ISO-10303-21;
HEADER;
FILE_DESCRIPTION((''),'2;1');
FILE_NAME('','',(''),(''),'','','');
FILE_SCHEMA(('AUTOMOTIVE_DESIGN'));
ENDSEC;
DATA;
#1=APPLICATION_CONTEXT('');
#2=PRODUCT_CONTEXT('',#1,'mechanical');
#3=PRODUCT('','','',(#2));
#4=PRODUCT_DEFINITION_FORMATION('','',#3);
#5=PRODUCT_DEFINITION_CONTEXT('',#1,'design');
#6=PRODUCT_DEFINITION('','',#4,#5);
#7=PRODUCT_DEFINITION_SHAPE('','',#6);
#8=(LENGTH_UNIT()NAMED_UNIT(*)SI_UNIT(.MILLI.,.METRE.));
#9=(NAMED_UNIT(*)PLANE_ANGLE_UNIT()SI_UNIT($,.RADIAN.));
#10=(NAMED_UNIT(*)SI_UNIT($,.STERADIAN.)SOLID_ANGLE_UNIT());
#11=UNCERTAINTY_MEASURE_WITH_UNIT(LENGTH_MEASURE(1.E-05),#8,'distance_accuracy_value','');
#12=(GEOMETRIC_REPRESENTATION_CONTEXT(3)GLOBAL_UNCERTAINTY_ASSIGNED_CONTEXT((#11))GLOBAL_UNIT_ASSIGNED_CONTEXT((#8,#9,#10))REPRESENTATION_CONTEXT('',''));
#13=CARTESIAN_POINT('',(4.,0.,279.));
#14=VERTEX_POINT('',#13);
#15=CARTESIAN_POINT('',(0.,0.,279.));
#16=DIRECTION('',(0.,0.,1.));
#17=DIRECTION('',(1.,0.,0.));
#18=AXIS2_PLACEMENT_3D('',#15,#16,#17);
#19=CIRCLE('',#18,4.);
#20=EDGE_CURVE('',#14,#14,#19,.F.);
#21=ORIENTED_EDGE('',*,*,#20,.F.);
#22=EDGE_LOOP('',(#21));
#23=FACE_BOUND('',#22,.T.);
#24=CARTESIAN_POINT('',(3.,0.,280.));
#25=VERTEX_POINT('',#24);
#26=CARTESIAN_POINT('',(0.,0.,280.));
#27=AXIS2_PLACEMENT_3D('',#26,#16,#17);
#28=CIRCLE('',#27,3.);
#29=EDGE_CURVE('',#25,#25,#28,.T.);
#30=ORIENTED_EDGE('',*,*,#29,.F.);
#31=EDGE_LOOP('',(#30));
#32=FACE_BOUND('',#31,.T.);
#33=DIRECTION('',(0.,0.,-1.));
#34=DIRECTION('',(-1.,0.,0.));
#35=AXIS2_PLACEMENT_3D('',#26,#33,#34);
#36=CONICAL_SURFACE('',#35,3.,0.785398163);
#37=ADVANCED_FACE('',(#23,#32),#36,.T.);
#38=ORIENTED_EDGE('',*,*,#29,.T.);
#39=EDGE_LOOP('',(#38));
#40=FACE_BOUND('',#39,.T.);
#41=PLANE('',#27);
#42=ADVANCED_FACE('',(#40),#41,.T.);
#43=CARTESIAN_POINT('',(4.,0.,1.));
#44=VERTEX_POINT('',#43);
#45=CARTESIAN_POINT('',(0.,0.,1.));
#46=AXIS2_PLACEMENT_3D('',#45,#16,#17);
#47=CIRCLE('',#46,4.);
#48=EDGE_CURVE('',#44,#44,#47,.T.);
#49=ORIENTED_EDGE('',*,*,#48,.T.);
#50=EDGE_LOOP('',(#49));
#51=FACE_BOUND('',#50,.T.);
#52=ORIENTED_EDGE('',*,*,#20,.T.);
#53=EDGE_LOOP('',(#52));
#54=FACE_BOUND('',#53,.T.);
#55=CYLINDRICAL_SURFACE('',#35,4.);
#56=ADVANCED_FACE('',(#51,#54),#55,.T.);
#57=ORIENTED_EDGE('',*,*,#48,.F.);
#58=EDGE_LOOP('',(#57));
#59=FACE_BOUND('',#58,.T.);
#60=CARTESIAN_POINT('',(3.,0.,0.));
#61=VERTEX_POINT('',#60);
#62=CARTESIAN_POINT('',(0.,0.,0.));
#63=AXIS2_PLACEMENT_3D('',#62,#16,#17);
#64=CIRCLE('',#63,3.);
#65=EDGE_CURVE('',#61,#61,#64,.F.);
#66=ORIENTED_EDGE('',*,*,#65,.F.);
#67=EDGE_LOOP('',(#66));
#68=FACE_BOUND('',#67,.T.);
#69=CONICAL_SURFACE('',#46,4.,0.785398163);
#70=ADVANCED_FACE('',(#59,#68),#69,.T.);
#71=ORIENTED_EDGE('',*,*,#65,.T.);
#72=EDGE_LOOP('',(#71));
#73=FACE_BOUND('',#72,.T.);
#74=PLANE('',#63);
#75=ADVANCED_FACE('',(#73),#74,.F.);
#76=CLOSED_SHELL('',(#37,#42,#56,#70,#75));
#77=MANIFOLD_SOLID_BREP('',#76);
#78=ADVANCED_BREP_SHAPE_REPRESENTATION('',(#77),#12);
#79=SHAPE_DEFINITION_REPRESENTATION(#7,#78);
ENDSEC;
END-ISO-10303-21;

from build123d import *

# Parameters (mm, degrees)
SKETCH1_R           = 4
BOSS_EXTRUDE1_DEPTH = 280
CHAMFER1_SIZE       = 1


with BuildPart() as part:
    # Sketch1 → Boss-Extrude1 (new body)
    with BuildSketch(Plane.XY):
        Circle(SKETCH1_R)
    extrude(amount=BOSS_EXTRUDE1_DEPTH)

    # Chamfer1
    chamfer1_edges = [part.edges().sort_by_distance(p)[0] for p in [
        (-4, 0, 0),
        (-4, 0, 280),
    ]]
    chamfer(chamfer1_edges, length=CHAMFER1_SIZE)


solid = part.part
